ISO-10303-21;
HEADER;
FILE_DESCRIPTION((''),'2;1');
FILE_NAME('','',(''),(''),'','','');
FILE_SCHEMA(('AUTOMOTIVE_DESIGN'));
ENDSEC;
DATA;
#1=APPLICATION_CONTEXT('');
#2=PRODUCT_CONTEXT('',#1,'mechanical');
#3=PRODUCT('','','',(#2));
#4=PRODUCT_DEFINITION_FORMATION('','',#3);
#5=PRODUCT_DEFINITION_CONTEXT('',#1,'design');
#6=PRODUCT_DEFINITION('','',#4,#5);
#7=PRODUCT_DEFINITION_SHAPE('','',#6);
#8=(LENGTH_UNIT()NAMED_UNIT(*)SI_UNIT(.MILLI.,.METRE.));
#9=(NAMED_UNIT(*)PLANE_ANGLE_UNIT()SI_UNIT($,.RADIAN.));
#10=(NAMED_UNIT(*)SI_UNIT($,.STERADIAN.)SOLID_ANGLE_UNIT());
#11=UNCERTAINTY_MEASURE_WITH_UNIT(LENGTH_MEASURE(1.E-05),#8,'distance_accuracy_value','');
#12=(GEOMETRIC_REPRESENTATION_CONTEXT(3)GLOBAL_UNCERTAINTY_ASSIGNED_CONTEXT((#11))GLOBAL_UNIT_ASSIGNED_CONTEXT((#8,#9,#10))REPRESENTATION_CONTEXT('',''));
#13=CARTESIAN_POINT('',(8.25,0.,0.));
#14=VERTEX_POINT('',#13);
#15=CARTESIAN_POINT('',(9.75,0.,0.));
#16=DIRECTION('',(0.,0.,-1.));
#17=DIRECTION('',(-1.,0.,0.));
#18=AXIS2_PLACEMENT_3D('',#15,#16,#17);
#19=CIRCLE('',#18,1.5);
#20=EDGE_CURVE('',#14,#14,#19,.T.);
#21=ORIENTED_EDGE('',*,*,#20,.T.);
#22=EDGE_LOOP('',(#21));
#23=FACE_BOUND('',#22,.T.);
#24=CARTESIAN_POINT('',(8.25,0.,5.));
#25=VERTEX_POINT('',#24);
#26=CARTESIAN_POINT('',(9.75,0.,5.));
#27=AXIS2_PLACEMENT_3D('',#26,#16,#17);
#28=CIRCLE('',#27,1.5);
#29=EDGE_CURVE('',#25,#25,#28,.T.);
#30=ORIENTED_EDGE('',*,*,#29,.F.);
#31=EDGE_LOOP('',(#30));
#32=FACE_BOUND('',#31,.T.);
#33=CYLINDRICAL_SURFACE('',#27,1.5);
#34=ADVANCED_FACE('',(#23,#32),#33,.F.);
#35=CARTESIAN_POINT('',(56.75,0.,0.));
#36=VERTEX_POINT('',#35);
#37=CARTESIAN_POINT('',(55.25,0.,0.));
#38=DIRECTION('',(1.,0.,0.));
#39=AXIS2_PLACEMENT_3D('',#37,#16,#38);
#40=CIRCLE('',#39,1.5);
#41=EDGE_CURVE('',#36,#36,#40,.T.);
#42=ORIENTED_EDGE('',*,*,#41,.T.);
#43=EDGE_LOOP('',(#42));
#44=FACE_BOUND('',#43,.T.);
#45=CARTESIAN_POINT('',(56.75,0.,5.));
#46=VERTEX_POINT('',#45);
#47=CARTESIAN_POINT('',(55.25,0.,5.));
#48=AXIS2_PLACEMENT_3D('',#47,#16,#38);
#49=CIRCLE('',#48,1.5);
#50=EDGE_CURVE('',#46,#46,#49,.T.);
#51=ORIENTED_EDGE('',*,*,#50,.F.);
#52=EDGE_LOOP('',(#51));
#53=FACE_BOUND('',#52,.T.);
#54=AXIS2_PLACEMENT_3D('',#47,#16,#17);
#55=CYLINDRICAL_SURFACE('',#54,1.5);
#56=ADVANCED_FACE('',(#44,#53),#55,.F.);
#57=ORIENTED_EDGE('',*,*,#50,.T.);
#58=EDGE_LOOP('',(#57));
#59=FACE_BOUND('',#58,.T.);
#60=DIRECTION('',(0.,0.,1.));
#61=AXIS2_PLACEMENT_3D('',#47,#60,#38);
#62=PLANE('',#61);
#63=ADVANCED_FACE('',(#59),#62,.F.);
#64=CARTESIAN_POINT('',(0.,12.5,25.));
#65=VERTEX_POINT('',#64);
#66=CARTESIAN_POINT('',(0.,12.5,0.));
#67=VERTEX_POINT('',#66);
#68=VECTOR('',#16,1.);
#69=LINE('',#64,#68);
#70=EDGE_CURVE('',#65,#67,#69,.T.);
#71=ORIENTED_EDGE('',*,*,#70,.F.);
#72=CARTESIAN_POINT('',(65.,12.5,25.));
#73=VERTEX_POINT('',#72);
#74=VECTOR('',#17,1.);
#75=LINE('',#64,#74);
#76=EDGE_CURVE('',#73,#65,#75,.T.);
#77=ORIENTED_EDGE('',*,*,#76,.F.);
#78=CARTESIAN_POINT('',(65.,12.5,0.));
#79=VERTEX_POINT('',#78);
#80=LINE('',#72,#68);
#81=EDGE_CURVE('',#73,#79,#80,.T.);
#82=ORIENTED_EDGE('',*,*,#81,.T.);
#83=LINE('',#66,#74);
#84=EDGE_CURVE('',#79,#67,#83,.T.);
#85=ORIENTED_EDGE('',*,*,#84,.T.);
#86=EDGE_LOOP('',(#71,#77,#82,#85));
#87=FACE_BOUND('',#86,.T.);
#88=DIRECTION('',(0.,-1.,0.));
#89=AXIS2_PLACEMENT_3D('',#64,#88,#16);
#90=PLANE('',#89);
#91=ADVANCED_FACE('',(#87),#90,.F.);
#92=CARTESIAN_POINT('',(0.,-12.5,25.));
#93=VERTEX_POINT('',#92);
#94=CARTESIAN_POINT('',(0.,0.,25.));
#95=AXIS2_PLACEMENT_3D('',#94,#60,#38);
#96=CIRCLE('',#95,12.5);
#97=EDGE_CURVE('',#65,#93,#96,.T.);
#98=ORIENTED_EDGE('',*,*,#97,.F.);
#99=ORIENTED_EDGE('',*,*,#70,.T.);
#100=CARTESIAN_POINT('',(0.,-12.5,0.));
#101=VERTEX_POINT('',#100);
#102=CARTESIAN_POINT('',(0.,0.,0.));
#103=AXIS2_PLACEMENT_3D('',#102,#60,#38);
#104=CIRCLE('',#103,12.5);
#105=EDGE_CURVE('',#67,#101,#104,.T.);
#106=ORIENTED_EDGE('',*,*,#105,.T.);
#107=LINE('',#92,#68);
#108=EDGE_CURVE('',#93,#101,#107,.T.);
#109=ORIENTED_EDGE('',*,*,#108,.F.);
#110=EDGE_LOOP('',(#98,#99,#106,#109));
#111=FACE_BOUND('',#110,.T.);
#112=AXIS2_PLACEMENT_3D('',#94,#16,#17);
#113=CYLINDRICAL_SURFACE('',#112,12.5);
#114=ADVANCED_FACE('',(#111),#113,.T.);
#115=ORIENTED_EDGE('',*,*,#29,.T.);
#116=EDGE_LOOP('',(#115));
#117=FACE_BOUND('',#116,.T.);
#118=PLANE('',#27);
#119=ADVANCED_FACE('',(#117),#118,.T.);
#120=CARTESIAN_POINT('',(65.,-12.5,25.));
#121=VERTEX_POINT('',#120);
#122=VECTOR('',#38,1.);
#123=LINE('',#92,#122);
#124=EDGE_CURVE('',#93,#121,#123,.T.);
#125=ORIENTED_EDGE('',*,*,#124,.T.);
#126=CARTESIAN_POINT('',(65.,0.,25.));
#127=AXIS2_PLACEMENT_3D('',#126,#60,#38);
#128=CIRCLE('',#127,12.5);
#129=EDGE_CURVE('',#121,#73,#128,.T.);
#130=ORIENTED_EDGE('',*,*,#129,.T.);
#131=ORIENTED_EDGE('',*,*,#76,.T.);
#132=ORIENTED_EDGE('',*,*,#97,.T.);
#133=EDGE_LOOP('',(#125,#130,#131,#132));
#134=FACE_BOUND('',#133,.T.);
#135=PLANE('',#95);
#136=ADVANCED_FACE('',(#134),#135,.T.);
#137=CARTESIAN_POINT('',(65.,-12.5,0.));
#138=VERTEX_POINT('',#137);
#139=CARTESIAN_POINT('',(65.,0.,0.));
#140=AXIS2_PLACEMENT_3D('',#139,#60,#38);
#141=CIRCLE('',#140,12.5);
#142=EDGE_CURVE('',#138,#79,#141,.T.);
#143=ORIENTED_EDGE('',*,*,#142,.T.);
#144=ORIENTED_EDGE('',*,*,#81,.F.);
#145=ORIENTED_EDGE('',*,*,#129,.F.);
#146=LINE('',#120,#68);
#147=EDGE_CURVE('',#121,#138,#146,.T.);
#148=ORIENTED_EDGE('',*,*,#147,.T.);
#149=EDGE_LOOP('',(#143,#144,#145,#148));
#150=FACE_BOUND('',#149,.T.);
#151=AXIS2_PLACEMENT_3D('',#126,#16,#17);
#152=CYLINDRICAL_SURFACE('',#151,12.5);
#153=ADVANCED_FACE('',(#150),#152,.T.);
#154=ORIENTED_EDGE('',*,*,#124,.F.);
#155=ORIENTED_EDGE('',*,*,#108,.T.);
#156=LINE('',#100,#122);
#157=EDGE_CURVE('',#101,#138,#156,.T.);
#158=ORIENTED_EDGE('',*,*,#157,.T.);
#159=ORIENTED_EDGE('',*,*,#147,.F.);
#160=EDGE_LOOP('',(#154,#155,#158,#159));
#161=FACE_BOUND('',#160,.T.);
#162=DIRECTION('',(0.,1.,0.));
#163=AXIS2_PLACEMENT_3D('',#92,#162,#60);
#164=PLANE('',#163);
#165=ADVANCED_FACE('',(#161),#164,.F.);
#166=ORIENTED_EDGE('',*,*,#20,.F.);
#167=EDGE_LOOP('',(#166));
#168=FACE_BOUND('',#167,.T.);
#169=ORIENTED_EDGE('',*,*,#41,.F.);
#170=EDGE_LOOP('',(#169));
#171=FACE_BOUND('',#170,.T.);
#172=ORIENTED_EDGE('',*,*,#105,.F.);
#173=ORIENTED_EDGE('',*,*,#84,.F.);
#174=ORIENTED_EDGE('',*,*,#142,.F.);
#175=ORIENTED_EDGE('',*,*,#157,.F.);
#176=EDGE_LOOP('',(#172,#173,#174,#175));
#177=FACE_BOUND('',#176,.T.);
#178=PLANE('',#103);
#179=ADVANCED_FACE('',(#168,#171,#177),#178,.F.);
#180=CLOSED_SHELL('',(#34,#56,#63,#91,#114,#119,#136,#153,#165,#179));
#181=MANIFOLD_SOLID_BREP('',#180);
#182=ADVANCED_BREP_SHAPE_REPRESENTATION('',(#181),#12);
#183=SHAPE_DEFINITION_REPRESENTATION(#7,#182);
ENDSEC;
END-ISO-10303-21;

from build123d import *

# Parameters (mm, degrees)
EXTRUDE_1_DEPTH     = 25
SKETCH_2_R          = 1.5
CUT_EXTRUDE_1_DEPTH = 5


with BuildPart() as part:
    # 草图1 → 凸台-拉伸1 (new body)
    with BuildSketch(Plane.XY):
        with BuildLine():
            Line((0, 12.5), (65, 12.5))
            ThreePointArc((65, 12.5), (77.5, 0), (65, -12.5))
            Line((65, -12.5), (0, -12.5))
            ThreePointArc((0, -12.5), (-12.5, 0), (0, 12.5))
        make_face()
    extrude(amount=EXTRUDE_1_DEPTH)

    # 草图2 → 切除-拉伸1 (cut)
    with BuildSketch(Plane(origin=(0, 0, 0), x_dir=(-1, 0, 0), z_dir=(0, 0, -1))):
        with Locations((-9.75, 0)):
            Circle(SKETCH_2_R)
        with Locations(Location((-55.25, 0, 0), (0, 0, 180))):
            Circle(SKETCH_2_R)
    extrude(amount=-CUT_EXTRUDE_1_DEPTH, mode=Mode.SUBTRACT)


solid = part.part
